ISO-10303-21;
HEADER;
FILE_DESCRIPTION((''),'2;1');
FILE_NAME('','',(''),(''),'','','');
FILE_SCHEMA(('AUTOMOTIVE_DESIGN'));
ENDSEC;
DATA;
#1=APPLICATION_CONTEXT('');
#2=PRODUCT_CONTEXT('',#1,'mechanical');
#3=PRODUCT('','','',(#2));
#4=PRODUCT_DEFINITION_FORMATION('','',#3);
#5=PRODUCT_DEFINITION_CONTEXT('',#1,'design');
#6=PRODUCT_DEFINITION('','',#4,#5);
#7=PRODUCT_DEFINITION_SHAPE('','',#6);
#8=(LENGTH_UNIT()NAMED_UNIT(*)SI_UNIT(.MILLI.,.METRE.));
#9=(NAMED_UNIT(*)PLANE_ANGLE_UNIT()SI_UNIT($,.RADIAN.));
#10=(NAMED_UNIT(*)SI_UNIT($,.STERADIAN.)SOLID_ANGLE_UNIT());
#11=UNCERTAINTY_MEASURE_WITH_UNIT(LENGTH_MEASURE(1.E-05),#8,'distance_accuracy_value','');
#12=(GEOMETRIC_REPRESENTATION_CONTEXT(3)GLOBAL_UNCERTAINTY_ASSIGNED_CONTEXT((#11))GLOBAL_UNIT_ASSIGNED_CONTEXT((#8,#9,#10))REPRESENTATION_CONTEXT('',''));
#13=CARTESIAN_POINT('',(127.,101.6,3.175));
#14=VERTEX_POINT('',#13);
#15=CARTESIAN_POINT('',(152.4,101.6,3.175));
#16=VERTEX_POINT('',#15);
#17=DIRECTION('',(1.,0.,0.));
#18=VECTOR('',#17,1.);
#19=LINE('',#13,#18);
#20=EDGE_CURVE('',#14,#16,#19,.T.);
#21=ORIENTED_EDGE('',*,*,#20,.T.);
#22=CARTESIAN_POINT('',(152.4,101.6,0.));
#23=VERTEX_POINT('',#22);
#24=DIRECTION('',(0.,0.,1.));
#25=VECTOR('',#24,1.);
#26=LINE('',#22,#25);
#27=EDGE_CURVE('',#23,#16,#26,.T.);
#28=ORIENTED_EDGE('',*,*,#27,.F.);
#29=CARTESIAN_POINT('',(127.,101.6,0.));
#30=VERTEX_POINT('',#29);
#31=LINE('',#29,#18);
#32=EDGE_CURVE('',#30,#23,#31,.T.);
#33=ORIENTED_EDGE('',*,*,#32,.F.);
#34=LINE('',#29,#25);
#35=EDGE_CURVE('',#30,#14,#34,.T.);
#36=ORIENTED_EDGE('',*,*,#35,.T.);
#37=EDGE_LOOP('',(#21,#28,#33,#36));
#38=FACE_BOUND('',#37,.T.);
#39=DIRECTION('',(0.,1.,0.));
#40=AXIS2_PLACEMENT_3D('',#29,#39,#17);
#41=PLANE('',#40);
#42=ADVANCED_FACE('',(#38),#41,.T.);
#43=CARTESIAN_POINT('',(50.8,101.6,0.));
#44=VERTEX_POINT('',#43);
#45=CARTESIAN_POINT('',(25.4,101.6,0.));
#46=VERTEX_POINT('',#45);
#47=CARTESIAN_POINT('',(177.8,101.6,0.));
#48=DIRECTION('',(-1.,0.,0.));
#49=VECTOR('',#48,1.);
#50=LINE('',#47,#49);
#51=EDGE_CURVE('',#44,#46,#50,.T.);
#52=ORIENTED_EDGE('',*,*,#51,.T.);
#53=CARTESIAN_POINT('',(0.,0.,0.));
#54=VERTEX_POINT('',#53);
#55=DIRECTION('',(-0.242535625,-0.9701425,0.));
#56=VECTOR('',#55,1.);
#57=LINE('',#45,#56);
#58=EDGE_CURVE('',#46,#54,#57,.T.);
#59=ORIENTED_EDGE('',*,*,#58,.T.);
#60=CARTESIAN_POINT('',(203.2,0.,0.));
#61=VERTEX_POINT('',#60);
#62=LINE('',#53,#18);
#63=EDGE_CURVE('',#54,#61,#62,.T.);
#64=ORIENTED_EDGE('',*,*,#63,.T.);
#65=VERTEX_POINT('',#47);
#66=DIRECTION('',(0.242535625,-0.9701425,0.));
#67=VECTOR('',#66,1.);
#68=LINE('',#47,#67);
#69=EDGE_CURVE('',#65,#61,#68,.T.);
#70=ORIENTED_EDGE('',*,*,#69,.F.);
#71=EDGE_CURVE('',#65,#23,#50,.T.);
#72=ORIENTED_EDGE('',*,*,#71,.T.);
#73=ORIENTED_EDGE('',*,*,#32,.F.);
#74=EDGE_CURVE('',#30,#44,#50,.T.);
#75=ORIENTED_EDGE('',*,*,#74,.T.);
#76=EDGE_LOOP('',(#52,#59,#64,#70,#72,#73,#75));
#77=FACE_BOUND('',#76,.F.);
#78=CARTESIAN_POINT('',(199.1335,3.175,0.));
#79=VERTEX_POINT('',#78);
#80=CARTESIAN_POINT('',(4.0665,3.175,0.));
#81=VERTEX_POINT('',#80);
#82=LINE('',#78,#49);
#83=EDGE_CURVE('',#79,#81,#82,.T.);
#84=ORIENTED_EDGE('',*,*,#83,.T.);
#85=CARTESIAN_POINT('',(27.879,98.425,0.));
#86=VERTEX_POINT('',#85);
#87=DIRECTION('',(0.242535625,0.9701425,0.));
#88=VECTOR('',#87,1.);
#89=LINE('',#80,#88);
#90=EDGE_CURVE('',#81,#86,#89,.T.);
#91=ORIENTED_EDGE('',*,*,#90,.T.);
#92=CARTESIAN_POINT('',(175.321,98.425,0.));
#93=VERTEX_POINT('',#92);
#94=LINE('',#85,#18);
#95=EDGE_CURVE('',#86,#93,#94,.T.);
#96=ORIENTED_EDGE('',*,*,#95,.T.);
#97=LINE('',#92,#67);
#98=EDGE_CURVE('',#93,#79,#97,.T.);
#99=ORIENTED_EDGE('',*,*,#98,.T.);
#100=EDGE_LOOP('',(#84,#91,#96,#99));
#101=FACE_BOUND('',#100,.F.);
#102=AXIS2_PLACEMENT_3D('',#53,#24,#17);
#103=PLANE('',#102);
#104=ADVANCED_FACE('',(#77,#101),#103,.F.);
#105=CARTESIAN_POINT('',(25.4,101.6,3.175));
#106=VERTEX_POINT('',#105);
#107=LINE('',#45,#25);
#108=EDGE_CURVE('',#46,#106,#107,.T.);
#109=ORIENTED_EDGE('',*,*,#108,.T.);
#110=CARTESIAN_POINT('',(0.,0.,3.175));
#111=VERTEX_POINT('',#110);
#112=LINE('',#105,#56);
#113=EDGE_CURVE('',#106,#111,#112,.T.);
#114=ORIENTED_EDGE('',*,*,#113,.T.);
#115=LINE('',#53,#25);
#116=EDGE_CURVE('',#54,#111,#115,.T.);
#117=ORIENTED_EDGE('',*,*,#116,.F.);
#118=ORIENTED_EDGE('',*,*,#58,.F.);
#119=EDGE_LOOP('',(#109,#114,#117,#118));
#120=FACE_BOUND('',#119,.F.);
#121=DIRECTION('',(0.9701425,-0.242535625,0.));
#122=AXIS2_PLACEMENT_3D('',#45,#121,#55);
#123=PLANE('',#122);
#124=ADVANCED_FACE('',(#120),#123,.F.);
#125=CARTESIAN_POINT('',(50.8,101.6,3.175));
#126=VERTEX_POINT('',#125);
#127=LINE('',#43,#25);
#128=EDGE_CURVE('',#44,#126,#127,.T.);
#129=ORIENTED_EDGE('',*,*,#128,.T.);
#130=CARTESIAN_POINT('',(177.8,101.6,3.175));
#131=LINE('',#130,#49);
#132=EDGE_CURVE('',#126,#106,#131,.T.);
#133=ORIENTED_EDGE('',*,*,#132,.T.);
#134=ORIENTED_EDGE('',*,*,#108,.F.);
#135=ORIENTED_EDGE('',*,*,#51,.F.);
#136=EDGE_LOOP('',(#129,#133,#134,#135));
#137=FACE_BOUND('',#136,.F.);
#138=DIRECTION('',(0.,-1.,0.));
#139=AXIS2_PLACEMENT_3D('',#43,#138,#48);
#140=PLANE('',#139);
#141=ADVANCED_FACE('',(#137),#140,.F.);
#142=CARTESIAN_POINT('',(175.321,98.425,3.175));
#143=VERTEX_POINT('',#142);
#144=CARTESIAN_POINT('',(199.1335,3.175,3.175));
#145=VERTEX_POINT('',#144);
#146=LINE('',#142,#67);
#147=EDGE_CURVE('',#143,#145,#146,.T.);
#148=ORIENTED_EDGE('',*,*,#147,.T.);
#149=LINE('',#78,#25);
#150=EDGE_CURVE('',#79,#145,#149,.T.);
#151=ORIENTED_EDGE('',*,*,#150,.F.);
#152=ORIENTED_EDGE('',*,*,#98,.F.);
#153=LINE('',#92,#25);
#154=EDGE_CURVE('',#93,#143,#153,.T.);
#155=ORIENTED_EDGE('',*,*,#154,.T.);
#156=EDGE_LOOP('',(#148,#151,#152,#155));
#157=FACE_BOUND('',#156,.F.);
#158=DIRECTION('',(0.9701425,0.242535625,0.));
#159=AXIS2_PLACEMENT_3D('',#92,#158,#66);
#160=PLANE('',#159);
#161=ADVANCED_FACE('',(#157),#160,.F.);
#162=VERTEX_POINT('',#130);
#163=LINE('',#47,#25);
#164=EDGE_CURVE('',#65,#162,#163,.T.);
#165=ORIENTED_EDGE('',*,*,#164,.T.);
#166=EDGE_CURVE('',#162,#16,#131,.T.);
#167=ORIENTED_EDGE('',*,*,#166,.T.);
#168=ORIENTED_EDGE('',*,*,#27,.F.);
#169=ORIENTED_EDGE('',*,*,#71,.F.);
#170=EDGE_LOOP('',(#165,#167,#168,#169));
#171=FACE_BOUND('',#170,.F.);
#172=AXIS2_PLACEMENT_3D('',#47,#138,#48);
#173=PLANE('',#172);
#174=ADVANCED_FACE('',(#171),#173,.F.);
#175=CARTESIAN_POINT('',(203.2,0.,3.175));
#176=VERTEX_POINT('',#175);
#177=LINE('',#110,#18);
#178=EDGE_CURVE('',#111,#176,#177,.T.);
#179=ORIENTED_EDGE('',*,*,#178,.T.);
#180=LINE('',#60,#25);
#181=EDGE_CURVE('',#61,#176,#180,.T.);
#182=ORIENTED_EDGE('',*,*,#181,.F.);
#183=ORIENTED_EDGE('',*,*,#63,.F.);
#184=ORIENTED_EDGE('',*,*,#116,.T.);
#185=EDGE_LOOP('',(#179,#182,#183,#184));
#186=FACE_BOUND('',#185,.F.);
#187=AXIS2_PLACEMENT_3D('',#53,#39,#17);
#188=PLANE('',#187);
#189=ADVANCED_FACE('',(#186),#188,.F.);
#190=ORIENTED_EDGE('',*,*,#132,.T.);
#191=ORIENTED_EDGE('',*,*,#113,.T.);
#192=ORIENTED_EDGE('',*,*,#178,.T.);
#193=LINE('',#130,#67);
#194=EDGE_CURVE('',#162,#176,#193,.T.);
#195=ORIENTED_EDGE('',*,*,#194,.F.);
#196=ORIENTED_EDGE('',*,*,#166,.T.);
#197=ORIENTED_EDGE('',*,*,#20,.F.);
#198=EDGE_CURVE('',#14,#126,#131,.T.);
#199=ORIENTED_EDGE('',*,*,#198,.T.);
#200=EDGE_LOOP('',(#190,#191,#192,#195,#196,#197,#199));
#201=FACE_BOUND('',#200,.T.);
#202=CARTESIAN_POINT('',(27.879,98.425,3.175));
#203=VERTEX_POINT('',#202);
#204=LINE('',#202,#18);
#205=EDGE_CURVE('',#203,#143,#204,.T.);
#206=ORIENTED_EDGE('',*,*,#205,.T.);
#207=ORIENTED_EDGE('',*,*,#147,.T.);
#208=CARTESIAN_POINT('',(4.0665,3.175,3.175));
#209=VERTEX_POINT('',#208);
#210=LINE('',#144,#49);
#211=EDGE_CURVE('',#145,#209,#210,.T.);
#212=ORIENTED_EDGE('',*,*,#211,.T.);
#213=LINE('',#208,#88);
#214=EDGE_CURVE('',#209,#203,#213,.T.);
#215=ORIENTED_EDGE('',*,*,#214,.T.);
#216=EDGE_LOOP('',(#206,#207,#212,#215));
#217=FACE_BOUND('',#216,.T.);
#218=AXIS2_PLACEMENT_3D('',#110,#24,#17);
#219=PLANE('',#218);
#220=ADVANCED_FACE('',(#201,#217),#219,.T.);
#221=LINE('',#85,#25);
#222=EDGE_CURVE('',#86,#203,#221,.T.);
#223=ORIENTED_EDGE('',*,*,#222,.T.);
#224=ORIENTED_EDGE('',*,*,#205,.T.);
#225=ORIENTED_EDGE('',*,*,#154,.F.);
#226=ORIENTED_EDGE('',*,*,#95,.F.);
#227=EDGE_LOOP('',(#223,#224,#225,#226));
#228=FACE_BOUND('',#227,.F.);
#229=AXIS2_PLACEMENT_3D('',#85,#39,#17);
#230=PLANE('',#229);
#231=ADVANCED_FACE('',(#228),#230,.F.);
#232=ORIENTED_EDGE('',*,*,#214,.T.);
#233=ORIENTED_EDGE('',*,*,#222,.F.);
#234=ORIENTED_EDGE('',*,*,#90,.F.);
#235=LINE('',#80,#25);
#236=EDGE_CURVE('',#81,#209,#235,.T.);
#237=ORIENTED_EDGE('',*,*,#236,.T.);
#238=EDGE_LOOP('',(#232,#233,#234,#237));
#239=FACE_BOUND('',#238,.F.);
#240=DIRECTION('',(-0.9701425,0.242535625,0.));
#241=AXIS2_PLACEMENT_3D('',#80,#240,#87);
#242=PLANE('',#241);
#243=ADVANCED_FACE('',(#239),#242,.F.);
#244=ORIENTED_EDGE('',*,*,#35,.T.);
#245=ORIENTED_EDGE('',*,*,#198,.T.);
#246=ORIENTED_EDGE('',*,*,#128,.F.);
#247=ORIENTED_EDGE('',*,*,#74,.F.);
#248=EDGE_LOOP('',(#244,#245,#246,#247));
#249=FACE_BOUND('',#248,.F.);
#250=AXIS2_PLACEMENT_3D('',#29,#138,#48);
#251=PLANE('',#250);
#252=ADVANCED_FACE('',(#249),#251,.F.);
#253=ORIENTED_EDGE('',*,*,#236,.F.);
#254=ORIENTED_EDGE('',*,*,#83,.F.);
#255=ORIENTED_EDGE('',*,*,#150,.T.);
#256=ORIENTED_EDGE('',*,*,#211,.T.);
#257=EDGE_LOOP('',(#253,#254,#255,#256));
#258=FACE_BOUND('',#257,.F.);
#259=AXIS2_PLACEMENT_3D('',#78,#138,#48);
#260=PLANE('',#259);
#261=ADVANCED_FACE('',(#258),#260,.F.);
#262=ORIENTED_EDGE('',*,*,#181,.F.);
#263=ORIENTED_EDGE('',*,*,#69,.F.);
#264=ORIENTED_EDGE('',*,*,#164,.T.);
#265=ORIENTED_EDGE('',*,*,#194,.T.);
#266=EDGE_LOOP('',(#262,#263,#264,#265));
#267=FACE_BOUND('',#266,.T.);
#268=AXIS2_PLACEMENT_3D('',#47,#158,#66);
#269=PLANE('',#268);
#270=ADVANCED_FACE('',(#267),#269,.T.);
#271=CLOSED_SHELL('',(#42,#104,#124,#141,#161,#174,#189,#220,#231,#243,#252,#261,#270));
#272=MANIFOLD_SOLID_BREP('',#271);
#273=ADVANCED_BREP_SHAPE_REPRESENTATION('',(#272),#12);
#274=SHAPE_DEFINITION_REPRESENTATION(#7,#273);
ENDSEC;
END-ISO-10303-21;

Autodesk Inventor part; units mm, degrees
ref_plane "YZ Plane" through (0, 0, 0) normal (1, 0, 0) x (0, 1, 0)
ref_plane "XZ Plane" through (0, 0, 0) normal (0, 1, 0) x (-1, 0, 0)
ref_plane "XY Plane" through (0, 0, 0) normal (0, 0, 1) x (1, 0, 0)
sketch "Sketch1" plane through (0, 0, 0) normal (0, 0, 1) x (1, 0, 0)
  line L0 (0, 0) -> (203.2, 0)
  line L1 (25.4, 101.6) -> (0, 0)
  line L2 (177.8, 101.6) -> (203.2, 0)
  line L3 (177.8, 101.6) -> (25.4, 101.6)
  line L4 (101.6, 0) -> (76.2, 0) construction
  line L5 (76.2, 0) -> (127, 0) construction
  line L6 (127, 101.6) -> (152.4, 101.6)
  line L7 (25.4, 101.6) -> (50.8, 101.6)
  line L8 (27.879, 98.425) -> (175.321, 98.425)
  line L9 (175.321, 98.425) -> (199.1335, 3.175)
  line L10 (199.1335, 3.175) -> (4.0665, 3.175)
  line L11 (25.4, 101.6) -> (28.575, 101.6) construction
  line L12 (0, 0) -> (3.175, 0) construction
  line L13 (4.0665, 3.175) -> (27.879, 98.425)
  dimension "d0" = 203.2
  dimension "d9" = 152.4
  dimension "d20" = 3.175
  dimension "d21" = 3.175
  dimension "d24" = 3.175
  dimension "d25" = 3.175
  dimension "d35" = 101.6
extrude "Extrusion1" add sketch "Sketch1" along normal blind 3.175
properties part number "Truss Template"
